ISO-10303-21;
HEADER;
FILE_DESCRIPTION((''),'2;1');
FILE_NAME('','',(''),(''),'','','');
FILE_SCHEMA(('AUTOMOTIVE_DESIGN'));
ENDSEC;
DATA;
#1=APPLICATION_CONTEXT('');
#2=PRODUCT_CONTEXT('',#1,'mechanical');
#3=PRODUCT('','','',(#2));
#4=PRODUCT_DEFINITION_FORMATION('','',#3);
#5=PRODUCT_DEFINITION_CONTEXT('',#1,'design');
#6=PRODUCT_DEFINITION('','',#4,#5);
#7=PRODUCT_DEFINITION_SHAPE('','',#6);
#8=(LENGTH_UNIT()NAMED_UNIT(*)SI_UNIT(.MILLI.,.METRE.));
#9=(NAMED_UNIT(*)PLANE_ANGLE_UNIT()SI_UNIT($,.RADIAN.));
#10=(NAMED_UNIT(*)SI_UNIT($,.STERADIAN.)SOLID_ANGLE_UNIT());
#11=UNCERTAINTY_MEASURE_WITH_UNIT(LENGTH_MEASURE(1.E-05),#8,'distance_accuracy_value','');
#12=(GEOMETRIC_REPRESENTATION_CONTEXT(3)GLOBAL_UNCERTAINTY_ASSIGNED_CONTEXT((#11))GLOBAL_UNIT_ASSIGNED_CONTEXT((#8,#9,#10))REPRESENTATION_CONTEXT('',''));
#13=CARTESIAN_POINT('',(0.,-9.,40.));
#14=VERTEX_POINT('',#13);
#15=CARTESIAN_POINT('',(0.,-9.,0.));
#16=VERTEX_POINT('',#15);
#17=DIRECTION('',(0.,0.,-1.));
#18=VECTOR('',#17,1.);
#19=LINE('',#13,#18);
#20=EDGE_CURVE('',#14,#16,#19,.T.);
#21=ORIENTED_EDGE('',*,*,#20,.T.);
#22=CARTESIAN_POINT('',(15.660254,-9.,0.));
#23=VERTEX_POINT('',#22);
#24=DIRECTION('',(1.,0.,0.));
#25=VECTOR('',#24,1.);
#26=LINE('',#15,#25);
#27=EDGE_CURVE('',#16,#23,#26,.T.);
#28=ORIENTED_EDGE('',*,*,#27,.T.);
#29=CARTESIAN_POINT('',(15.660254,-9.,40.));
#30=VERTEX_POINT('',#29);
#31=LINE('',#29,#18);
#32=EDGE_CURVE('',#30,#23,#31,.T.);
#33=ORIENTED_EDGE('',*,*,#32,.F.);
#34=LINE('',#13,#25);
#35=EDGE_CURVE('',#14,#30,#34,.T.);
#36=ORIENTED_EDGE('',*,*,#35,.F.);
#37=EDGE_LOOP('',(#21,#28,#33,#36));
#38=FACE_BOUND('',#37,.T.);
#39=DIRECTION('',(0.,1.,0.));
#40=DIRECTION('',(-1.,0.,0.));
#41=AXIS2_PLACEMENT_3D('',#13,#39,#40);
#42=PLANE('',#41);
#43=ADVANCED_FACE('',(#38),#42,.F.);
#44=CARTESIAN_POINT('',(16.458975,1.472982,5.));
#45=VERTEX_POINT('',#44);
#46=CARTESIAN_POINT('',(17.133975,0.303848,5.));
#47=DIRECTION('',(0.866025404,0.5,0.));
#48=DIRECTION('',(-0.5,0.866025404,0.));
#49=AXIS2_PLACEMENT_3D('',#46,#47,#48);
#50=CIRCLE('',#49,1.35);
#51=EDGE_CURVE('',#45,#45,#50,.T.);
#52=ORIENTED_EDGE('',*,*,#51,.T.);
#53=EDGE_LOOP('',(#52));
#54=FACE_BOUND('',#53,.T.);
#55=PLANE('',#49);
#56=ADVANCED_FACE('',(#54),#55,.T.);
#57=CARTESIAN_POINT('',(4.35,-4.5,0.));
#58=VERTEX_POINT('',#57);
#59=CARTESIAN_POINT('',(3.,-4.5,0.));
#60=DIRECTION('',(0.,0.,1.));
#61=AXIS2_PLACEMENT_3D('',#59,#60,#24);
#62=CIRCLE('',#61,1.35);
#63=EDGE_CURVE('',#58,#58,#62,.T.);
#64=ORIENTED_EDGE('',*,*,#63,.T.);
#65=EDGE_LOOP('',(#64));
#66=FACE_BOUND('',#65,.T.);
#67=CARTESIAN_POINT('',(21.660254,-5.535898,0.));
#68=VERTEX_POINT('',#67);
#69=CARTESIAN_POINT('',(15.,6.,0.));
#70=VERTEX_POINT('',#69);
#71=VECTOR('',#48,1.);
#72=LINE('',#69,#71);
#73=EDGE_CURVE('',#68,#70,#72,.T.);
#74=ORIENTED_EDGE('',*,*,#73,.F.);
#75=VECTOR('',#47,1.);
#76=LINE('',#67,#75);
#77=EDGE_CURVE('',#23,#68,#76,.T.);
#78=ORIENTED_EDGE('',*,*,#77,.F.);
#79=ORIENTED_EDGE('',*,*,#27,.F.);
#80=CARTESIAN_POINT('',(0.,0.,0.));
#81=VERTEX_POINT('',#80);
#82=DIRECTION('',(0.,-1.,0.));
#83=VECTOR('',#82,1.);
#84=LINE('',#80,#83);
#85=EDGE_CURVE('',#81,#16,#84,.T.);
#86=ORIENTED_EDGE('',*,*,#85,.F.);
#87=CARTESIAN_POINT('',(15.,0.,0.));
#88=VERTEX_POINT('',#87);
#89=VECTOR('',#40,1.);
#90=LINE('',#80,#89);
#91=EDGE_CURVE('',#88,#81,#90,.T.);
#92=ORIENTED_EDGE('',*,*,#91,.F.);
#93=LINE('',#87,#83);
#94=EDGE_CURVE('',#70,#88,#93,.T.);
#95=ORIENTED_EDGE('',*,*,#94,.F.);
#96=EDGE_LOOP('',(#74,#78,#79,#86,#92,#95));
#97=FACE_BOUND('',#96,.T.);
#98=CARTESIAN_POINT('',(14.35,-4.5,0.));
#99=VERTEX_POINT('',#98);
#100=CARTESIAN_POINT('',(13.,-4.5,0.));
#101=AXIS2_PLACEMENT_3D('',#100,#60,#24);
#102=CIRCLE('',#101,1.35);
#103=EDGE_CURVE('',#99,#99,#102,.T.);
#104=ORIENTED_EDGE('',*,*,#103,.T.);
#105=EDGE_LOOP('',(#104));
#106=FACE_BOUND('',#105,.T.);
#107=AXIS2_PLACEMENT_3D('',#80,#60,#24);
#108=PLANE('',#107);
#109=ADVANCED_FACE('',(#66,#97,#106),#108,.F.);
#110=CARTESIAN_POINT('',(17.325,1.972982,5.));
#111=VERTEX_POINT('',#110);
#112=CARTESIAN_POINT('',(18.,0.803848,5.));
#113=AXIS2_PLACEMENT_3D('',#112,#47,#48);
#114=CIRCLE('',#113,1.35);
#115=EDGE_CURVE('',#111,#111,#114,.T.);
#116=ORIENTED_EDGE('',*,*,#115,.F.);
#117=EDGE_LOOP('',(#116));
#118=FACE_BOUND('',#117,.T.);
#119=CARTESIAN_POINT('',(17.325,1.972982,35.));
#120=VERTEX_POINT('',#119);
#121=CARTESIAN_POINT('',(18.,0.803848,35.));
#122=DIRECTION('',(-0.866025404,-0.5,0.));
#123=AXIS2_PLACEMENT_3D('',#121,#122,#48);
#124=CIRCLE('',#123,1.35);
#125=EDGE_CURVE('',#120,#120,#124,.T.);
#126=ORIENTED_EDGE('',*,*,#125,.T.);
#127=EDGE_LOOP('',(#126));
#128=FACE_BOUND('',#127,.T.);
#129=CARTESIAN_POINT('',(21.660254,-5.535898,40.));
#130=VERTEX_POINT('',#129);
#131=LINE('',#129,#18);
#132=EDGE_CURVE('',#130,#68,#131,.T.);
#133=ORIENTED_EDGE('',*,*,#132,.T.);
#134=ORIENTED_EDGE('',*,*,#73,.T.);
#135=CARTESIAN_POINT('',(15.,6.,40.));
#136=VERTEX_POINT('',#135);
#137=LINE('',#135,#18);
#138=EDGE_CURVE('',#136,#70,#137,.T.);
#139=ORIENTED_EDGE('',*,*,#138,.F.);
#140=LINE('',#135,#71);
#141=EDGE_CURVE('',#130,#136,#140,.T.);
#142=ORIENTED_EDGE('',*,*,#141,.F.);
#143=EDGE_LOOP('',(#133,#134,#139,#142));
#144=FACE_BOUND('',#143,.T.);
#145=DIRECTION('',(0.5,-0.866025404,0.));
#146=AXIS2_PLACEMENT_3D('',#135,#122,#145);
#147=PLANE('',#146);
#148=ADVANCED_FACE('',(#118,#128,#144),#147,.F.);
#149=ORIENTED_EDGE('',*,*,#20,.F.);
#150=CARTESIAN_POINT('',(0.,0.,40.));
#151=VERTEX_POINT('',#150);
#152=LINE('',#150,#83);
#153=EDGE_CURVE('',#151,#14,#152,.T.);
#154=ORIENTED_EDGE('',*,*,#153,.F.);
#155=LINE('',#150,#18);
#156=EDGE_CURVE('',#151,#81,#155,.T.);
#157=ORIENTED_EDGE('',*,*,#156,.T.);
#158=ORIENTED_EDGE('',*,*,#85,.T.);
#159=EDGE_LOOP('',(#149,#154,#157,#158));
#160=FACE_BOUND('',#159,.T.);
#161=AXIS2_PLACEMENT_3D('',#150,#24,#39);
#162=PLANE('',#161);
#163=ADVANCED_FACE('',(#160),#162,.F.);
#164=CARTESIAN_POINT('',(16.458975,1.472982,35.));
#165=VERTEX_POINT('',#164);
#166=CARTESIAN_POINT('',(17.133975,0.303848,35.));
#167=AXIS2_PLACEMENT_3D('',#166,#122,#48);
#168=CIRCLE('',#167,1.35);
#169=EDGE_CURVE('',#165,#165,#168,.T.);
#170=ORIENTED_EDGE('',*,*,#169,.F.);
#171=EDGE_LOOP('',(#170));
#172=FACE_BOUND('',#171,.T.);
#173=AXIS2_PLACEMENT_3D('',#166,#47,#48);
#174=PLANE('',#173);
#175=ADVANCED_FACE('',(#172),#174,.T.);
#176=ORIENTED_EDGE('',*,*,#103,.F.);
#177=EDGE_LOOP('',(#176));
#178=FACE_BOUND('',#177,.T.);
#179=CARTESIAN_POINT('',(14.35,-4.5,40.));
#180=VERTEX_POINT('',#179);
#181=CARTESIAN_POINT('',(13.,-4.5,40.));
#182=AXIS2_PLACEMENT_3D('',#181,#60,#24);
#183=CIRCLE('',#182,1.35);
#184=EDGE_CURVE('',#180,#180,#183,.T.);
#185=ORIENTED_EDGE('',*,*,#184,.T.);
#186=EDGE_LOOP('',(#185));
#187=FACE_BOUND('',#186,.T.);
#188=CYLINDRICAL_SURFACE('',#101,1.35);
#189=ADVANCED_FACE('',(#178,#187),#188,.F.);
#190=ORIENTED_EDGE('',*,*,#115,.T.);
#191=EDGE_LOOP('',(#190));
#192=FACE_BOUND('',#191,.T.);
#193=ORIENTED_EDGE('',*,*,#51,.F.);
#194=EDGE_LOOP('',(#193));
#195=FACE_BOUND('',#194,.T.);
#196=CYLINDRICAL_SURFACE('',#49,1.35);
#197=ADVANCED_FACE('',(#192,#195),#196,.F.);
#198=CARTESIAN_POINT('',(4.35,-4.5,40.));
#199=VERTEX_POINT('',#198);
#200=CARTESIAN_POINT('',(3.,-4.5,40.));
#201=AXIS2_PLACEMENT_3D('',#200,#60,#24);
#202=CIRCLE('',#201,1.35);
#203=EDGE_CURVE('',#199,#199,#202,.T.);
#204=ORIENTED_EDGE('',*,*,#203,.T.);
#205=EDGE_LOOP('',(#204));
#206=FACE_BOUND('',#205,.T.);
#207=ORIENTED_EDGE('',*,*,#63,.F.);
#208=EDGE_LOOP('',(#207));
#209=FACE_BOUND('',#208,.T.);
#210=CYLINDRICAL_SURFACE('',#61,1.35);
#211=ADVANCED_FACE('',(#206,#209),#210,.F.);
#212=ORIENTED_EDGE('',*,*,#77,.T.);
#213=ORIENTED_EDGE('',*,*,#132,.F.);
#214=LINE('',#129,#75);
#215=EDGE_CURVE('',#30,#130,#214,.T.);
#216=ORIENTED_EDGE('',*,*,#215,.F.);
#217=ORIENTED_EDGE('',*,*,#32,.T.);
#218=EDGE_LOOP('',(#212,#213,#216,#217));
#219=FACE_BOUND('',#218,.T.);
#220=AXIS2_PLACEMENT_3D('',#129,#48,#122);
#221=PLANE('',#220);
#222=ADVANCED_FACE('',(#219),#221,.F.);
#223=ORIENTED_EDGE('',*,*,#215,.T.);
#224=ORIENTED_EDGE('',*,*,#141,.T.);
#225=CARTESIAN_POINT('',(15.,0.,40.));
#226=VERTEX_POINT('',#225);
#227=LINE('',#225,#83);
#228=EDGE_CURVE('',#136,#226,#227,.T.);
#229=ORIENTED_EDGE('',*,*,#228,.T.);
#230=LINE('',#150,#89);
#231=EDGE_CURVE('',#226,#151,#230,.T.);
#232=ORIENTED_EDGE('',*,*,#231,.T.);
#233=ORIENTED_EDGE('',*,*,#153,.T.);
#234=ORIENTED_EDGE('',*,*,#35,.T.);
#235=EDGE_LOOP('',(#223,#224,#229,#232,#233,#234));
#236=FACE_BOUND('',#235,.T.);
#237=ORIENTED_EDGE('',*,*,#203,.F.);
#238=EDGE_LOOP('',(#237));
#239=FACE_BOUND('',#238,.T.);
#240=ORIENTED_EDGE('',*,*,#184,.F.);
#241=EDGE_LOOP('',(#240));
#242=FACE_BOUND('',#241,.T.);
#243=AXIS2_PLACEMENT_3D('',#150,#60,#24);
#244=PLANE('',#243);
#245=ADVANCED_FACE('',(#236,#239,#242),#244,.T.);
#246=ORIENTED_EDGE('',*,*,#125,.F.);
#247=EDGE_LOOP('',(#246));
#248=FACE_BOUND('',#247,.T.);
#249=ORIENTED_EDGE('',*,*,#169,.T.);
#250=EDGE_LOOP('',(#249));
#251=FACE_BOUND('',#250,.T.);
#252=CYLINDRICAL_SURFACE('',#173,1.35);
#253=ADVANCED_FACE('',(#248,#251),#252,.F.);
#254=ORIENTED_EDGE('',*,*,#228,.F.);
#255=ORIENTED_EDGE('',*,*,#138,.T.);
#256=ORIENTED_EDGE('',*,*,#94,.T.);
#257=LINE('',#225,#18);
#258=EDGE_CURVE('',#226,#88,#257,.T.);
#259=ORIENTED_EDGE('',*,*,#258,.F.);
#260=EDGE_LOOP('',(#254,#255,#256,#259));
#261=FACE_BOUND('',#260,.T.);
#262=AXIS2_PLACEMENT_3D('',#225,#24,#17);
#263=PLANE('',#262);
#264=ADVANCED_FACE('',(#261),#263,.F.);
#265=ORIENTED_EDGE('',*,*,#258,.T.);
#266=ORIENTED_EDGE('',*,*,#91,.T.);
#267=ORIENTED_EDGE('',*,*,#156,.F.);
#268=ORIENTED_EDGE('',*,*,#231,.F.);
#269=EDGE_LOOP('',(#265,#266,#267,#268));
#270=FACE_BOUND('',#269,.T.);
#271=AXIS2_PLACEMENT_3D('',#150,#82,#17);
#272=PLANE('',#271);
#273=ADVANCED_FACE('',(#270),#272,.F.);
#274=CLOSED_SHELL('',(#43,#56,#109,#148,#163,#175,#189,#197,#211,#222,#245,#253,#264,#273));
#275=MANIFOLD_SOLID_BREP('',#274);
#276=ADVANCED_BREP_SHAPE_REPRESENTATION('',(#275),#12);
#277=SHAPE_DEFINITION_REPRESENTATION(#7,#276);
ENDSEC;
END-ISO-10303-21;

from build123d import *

# Parameters (mm, degrees)
EXTRUDE_1_DEPTH     = 40
SKETCH_2_R          = 1.35
CUT_EXTRUDE_1_DEPTH = 1
SKETCH_3_R          = 1.35
CUT_EXTRUDE_2_DEPTH = 40


with BuildPart() as part:
    # 草图1 → 凸台-拉伸1 (new body)
    with BuildSketch(Plane.XY):
        Polygon((0, 0), (15, 0), (15, 6), (21.660254038, -5.535898385), (15.660254038, -9), (0, -9), align=None)
    extrude(amount=EXTRUDE_1_DEPTH)

    # 草图2 → 切除-拉伸1 (cut)
    with BuildSketch(Plane(origin=(13.848076211, 7.995190528, 0), x_dir=(0, 0, -1), z_dir=(0.8660254037844386, 0.4999999999999999, 0))):
        with Locations(Location((-5, -8.30384758, 0), (0, 0, 90))):
            Circle(SKETCH_2_R)
    cut_extrude_1 = extrude(amount=-CUT_EXTRUDE_1_DEPTH, mode=Mode.SUBTRACT)

    # 镜向1: 切除-拉伸1 across plane
    add(cut_extrude_1.mirror(Plane.XY.offset(20)), mode=Mode.SUBTRACT)

    # 草图3 → 切除-拉伸2 (cut)
    with BuildSketch(Plane.XY.offset(40)):
        with Locations((3, -4.5)):
            Circle(SKETCH_3_R)
        with Locations((13, -4.5)):
            Circle(SKETCH_3_R)
    extrude(amount=-CUT_EXTRUDE_2_DEPTH, mode=Mode.SUBTRACT)


solid = part.part
